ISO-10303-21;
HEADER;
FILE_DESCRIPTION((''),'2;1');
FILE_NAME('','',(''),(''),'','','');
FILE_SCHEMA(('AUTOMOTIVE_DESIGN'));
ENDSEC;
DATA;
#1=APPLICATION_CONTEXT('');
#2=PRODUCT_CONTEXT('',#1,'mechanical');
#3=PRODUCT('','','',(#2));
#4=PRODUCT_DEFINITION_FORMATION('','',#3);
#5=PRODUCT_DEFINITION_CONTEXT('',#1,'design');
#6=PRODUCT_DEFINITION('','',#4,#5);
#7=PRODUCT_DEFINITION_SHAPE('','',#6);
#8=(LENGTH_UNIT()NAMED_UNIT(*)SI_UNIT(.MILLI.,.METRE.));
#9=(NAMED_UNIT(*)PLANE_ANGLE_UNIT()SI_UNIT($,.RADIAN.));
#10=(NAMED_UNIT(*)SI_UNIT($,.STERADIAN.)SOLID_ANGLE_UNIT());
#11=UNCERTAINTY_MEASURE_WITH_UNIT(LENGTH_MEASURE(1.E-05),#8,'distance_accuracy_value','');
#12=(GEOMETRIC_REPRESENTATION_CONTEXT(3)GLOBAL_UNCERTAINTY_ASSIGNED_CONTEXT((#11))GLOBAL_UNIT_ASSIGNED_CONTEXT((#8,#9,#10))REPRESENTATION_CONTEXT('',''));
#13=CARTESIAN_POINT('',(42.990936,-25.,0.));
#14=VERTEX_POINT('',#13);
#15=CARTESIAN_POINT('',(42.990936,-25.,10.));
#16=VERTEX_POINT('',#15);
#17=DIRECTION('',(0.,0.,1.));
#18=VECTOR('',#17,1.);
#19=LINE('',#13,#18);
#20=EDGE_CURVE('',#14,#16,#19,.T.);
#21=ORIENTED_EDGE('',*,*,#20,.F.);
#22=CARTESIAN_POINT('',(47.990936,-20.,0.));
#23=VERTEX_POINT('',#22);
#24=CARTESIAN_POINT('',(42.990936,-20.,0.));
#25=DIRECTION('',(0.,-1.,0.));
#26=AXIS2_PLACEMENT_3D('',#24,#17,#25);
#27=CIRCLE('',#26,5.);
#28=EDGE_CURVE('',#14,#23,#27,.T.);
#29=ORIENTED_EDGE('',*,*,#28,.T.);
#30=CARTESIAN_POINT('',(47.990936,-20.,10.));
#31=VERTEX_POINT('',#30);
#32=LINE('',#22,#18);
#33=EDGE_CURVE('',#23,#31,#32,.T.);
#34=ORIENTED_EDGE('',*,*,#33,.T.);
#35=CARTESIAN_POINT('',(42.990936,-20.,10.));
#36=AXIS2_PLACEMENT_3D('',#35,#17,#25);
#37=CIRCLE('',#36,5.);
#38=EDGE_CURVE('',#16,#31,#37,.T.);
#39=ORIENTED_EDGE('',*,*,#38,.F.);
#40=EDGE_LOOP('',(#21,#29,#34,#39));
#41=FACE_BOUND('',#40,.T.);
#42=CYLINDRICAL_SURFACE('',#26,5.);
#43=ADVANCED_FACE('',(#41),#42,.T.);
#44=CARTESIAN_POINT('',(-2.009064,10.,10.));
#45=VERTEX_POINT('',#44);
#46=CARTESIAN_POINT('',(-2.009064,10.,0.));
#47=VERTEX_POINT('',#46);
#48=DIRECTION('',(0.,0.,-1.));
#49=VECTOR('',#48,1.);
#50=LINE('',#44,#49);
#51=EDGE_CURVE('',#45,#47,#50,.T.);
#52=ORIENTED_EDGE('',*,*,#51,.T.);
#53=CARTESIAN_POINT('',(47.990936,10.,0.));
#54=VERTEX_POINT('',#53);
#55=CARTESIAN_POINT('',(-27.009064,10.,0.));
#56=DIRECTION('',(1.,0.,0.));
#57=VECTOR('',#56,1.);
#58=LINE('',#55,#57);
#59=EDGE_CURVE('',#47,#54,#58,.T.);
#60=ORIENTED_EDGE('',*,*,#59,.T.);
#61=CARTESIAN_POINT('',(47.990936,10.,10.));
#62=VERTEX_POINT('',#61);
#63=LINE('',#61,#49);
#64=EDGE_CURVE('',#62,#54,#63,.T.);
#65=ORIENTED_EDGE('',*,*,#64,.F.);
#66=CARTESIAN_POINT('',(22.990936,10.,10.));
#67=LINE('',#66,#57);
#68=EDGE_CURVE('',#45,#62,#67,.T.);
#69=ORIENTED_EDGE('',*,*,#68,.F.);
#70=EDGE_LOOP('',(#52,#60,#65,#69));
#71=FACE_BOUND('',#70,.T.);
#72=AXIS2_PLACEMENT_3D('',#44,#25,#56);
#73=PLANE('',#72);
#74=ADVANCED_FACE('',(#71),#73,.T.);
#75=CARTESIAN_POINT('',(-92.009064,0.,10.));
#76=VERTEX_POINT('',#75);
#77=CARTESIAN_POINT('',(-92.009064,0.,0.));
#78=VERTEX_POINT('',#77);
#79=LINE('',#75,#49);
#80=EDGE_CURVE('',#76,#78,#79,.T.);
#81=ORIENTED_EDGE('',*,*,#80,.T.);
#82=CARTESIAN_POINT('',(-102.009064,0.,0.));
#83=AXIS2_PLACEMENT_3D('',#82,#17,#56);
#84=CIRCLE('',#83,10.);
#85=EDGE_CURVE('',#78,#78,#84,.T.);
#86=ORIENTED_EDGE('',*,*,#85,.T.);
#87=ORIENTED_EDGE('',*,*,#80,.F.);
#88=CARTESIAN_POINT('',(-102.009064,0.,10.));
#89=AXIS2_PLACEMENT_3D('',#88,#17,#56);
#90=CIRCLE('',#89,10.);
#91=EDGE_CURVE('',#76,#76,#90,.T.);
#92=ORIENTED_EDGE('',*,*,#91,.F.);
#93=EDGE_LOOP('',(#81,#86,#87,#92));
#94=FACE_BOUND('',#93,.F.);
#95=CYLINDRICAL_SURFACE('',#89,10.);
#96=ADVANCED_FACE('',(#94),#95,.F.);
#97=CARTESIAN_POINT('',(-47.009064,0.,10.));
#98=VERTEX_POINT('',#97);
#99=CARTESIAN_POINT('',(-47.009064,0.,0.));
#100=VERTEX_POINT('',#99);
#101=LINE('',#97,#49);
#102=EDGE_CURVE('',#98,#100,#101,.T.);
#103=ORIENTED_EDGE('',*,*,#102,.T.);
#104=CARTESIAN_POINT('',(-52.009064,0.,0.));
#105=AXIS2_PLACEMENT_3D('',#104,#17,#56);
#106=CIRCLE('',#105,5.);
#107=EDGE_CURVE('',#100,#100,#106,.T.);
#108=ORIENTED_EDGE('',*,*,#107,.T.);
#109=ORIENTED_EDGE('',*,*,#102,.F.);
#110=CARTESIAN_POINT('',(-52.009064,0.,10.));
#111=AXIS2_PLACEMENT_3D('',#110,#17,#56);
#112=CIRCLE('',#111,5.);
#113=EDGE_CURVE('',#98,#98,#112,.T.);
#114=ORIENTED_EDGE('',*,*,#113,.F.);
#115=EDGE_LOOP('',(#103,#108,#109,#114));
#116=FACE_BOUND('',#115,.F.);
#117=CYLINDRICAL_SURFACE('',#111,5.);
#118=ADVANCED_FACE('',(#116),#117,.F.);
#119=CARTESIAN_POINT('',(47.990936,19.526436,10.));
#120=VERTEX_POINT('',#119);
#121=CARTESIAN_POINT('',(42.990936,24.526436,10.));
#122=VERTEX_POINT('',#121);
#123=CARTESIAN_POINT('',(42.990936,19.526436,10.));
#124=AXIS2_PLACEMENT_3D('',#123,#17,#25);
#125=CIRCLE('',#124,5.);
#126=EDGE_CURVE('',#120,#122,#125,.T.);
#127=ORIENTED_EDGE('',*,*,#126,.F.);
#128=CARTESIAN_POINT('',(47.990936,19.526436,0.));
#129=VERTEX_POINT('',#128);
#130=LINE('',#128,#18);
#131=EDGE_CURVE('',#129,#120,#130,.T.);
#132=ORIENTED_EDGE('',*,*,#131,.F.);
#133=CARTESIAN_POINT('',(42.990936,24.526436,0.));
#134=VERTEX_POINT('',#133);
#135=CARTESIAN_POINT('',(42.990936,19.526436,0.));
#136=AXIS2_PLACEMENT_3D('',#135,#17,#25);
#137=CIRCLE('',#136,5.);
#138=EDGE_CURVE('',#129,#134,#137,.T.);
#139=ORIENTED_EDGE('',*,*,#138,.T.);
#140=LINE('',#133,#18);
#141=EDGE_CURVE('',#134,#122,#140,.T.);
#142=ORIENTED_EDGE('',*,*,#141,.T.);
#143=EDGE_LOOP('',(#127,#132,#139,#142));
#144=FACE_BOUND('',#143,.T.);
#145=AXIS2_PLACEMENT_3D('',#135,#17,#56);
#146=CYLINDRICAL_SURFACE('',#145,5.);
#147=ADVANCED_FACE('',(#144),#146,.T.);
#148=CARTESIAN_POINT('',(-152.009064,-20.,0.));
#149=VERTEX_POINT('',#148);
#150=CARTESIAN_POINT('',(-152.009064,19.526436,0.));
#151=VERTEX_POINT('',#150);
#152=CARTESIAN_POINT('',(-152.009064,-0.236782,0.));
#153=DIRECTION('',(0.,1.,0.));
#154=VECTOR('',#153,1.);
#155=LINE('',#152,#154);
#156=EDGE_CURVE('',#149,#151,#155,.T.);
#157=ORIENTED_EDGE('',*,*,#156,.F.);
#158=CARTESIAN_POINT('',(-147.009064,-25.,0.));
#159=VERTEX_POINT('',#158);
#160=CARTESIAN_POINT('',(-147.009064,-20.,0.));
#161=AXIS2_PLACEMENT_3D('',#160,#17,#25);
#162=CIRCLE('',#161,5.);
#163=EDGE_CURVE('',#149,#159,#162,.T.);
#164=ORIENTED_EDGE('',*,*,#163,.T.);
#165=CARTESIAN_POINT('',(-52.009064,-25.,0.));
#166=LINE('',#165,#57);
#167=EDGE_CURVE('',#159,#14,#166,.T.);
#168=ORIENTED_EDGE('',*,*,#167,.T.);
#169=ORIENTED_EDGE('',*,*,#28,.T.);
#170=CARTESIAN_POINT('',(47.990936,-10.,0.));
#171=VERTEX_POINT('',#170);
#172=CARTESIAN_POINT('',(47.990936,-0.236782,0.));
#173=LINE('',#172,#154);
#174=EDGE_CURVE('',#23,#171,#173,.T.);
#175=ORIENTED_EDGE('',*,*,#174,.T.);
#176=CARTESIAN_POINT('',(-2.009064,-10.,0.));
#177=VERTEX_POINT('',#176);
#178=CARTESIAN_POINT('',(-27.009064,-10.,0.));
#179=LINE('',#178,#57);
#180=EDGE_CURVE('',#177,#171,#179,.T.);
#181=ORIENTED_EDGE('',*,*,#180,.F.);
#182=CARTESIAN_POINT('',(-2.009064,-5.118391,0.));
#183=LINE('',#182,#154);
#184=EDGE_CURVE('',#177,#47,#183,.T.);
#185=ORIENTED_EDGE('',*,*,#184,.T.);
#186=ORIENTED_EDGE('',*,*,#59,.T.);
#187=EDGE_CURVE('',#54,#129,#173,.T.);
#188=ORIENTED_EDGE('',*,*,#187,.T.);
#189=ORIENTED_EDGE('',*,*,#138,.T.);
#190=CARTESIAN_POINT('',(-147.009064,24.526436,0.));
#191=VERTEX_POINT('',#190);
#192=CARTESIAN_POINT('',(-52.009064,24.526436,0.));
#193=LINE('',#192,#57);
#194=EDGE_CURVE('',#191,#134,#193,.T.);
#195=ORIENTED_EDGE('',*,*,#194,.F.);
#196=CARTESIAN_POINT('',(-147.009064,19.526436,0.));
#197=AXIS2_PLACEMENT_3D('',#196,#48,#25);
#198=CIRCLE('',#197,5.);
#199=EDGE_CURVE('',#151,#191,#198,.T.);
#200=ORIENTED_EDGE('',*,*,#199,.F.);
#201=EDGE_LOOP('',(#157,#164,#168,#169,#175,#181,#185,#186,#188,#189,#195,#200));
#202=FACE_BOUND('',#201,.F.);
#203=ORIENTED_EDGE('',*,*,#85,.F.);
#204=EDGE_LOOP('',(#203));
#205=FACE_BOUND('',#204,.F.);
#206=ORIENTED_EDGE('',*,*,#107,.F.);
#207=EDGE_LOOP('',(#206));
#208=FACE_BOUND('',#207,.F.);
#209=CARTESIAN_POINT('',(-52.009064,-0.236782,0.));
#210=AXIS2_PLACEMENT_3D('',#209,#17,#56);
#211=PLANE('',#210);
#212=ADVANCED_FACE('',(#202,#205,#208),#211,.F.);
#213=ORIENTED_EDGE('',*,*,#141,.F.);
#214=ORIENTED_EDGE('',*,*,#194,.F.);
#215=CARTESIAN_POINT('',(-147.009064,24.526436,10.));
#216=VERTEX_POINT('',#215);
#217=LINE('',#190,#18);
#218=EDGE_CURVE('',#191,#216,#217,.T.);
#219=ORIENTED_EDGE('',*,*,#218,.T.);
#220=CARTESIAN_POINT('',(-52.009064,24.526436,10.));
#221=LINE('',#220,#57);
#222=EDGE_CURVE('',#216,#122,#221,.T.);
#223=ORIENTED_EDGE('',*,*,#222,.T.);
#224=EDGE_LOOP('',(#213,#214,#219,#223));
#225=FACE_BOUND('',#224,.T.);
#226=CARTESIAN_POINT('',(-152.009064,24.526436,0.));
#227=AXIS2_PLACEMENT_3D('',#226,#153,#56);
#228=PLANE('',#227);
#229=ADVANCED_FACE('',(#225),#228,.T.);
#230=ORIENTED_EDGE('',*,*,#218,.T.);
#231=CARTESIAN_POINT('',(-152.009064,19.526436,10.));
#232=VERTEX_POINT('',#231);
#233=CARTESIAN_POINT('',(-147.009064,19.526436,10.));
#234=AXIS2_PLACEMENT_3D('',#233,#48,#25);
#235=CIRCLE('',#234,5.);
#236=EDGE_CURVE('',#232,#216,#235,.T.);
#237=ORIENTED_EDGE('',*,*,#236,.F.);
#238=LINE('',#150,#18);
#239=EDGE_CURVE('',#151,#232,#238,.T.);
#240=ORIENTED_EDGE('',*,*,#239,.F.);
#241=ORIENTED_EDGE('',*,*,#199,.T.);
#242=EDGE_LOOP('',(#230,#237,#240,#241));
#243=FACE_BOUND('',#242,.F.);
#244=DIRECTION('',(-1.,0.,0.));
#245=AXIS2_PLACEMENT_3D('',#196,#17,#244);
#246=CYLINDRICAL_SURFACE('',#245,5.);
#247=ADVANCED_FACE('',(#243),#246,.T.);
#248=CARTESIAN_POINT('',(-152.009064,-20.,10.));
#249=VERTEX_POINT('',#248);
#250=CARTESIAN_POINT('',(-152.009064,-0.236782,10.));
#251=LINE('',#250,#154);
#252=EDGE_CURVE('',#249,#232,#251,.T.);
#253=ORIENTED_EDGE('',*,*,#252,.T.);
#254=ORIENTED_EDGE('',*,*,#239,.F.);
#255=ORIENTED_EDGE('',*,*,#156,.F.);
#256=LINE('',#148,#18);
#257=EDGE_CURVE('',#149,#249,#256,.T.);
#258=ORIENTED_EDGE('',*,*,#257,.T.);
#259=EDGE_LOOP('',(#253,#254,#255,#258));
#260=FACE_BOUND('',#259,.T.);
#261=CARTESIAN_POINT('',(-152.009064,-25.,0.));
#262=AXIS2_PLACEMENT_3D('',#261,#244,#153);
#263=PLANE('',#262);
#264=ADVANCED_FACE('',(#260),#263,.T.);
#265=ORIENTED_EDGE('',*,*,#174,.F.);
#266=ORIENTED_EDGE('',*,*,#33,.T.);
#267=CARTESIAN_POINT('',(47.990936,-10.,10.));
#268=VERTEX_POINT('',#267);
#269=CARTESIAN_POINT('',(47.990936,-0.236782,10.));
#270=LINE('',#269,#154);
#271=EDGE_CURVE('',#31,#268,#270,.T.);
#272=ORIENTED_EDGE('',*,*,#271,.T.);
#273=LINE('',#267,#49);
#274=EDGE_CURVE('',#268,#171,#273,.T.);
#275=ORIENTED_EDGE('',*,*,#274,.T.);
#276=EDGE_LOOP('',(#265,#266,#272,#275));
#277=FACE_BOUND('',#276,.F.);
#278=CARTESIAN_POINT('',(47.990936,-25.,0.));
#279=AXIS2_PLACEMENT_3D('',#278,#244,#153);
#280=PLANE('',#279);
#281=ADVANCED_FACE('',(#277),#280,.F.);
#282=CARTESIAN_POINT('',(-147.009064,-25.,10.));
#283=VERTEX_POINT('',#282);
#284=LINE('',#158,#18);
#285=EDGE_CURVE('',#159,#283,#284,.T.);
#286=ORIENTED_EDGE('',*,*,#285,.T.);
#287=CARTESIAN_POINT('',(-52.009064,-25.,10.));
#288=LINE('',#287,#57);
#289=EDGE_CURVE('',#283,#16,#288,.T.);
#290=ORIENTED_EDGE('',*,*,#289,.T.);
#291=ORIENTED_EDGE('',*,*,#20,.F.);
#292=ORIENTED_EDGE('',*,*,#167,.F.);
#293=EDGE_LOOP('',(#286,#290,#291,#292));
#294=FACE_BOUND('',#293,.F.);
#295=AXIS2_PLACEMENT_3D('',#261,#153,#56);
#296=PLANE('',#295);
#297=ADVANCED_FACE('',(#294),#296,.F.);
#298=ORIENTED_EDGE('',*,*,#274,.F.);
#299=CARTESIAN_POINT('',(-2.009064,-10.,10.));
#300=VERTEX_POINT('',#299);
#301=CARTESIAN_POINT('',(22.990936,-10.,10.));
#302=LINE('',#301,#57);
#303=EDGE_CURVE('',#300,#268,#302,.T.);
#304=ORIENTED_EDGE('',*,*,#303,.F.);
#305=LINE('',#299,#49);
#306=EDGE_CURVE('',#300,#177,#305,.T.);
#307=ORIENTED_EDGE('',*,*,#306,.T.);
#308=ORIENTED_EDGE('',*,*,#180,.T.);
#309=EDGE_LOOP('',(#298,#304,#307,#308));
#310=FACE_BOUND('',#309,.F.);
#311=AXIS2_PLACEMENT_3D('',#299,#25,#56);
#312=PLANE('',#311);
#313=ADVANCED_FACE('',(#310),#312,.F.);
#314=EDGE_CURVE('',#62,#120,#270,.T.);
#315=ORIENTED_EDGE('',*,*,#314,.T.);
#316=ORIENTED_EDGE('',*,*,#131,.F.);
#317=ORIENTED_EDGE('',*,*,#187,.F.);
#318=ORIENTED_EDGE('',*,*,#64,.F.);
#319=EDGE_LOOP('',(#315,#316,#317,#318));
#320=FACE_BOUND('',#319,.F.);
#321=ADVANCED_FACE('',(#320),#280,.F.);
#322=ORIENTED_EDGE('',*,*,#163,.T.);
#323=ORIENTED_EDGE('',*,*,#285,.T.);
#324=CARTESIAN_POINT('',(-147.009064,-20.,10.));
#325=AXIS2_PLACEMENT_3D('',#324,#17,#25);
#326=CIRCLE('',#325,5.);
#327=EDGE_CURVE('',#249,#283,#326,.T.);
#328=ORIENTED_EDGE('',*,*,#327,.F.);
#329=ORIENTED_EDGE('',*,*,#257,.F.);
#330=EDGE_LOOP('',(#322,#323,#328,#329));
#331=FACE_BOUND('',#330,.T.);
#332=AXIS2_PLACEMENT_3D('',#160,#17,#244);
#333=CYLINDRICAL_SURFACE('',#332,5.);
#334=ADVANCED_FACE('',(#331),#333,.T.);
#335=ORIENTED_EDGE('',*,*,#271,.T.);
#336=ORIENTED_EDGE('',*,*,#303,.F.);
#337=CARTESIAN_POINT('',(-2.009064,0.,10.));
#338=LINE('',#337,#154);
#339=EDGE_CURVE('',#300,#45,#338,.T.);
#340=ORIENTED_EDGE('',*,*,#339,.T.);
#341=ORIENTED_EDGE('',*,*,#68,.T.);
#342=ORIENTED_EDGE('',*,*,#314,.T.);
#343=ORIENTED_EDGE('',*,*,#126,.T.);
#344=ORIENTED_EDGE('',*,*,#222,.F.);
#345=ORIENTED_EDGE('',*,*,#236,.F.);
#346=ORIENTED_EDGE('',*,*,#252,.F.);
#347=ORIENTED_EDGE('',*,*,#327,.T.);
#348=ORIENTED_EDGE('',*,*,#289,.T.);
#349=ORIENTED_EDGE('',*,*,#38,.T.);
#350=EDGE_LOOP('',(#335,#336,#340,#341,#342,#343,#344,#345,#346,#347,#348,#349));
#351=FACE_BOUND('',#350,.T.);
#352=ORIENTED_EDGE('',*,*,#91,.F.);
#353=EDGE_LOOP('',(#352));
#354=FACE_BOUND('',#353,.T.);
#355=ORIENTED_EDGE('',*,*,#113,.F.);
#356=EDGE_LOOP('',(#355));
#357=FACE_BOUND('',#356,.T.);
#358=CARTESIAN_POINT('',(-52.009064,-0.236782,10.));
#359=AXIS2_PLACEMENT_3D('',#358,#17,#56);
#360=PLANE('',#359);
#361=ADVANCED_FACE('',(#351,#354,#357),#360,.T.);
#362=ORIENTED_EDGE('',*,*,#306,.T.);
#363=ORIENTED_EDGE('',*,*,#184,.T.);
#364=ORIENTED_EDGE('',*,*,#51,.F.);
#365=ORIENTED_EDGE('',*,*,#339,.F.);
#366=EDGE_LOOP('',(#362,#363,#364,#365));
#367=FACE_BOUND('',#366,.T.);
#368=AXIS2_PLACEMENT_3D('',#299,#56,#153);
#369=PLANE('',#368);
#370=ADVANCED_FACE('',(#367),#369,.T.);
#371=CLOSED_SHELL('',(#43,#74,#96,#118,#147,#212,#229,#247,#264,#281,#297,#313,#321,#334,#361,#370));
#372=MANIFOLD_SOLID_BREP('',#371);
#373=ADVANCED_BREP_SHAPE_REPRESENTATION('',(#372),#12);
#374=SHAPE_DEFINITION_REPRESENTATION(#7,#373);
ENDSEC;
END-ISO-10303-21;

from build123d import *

# Parameters (mm, degrees)
F0_W     = 200
F0_H     = 49.526437
F1_DEPTH = 10
F2_R     = 5
F3_R     = 5
F3_R_2   = 10
F4_DEPTH = 10.001
F5_W     = 50
F5_H     = 20
F6_DEPTH = 25


with BuildPart() as f1:
    # F0 (on Top) → F1 (new body)
    with BuildSketch(Plane.XY):
        with Locations((-52.009064, -0.236782)):
            Rectangle(F0_W, F0_H)
    extrude(amount=F1_DEPTH)

    # F2
    f2_edges = [f1.edges().sort_by_distance(p)[0] for p in [
        (47.990936, -25, 5),
        (47.990936, 24.526437, 5),
        (-152.009064, -25, 5),
        (-152.009064, 24.526437, 5),
    ]]
    fillet(f2_edges, radius=F2_R)

    # F3 (on face) → F4 (cut, through all)
    with BuildSketch(Plane.XY.offset(10)):
        with Locations((-52.009064, 0)):
            Circle(F3_R)
        with Locations((-102.009064, 0)):
            Circle(F3_R_2)
    extrude(amount=-F4_DEPTH, mode=Mode.SUBTRACT)

    # F5 (on face) → F6 (cut)
    with BuildSketch(Plane.XY.offset(10)):
        with Locations((22.990936, 0)):
            Rectangle(F5_W, F5_H)
    extrude(amount=-F6_DEPTH, mode=Mode.SUBTRACT)


solid = f1.part
